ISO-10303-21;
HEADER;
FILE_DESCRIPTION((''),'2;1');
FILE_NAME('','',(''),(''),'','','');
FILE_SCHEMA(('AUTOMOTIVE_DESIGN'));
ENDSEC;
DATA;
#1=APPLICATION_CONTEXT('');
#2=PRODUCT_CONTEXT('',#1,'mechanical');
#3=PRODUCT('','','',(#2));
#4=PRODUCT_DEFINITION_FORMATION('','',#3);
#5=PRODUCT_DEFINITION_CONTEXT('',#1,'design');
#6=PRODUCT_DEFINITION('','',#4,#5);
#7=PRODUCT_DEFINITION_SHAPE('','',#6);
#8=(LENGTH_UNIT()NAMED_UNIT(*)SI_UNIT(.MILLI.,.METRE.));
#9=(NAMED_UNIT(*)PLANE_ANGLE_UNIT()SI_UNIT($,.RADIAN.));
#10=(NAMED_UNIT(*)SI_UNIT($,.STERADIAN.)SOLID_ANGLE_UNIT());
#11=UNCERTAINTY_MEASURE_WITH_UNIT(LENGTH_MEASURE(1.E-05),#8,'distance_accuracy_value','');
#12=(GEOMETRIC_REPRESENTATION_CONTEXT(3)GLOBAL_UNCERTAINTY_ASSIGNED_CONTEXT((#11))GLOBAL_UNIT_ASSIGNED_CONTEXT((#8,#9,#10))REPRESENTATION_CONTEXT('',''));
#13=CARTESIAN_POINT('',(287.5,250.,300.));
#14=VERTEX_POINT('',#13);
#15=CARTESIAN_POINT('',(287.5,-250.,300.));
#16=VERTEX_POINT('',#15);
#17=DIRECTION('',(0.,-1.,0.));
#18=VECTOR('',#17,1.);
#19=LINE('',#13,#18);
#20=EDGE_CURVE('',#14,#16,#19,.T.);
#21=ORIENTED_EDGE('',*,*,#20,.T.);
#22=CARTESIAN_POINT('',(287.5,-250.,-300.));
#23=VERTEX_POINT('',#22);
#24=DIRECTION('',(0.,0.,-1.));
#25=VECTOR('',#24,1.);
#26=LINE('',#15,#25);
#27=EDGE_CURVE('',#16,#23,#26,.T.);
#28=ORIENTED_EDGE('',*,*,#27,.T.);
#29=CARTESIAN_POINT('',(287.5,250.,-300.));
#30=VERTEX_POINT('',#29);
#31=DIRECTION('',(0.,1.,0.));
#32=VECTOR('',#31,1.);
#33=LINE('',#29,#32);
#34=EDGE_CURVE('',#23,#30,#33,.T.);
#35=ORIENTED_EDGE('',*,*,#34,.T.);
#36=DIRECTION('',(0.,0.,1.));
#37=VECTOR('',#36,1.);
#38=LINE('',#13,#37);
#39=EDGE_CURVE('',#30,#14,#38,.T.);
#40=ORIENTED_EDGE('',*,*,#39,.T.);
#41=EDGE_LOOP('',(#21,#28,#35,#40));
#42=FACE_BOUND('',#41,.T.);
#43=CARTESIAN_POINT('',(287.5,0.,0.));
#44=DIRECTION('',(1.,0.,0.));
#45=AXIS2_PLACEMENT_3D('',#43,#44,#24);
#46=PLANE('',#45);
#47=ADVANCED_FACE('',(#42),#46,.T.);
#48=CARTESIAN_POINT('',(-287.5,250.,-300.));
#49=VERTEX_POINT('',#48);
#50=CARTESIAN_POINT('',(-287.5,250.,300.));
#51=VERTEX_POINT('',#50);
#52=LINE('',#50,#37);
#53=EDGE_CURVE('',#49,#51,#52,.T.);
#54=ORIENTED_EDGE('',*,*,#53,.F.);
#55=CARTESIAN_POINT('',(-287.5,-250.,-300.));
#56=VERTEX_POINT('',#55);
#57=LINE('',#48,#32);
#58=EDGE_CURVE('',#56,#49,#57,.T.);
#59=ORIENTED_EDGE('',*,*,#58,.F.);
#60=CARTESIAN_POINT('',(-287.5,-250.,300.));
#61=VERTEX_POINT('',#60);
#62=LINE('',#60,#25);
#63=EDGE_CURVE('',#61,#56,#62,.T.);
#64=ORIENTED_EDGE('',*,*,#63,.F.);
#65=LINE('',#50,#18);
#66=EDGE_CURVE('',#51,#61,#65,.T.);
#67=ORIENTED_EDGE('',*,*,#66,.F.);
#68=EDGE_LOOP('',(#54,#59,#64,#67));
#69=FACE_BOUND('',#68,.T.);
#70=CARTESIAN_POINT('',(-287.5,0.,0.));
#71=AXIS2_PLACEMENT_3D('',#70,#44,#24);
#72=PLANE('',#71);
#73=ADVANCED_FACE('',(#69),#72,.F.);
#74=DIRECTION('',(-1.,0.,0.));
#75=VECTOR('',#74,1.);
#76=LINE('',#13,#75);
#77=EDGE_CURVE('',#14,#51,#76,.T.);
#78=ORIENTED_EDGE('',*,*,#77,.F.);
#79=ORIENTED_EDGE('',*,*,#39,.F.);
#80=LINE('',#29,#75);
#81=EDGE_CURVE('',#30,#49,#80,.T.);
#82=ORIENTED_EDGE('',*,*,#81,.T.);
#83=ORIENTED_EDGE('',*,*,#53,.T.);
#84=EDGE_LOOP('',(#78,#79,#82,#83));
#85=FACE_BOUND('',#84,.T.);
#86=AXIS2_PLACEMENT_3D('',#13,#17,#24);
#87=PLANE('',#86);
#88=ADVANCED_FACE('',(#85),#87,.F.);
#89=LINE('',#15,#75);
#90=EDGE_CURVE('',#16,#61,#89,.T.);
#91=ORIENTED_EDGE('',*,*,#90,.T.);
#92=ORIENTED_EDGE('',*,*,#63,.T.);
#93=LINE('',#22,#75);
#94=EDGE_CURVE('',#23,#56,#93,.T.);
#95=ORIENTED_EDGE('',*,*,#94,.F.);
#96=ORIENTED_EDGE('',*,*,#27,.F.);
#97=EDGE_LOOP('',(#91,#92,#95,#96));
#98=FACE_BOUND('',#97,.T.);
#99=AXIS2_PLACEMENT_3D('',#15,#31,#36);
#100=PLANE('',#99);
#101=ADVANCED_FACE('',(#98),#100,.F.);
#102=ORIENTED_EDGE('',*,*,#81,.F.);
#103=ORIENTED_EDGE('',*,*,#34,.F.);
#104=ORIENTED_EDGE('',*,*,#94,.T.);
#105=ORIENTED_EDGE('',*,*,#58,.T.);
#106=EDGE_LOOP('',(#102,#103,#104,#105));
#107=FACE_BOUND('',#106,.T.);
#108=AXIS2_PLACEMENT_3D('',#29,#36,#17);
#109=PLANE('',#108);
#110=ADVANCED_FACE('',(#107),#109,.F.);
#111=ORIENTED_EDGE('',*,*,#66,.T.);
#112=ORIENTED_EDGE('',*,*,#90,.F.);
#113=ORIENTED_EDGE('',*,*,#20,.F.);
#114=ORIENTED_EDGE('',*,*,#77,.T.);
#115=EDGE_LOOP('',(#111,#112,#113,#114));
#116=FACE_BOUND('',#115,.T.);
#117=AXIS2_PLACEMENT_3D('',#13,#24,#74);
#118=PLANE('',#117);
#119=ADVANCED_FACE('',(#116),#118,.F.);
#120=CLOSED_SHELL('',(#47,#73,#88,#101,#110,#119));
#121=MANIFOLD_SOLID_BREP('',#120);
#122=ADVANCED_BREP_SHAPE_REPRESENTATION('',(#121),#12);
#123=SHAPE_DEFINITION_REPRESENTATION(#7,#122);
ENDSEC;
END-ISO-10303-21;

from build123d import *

# Parameters (mm, degrees)
SKETCH_1_W      = 600
SKETCH_1_H      = 500
EXTRUDE_1_DEPTH = 287.5


with BuildPart() as part:
    # 草圖1 → 填料-伸長1 (new body, symmetric)
    with BuildSketch(Plane(origin=(0, 0, 0), x_dir=(0, 0, -1), z_dir=(1, 0, 0))):
        Rectangle(SKETCH_1_W, SKETCH_1_H)
    extrude(amount=EXTRUDE_1_DEPTH, both=True)


solid = part.part
